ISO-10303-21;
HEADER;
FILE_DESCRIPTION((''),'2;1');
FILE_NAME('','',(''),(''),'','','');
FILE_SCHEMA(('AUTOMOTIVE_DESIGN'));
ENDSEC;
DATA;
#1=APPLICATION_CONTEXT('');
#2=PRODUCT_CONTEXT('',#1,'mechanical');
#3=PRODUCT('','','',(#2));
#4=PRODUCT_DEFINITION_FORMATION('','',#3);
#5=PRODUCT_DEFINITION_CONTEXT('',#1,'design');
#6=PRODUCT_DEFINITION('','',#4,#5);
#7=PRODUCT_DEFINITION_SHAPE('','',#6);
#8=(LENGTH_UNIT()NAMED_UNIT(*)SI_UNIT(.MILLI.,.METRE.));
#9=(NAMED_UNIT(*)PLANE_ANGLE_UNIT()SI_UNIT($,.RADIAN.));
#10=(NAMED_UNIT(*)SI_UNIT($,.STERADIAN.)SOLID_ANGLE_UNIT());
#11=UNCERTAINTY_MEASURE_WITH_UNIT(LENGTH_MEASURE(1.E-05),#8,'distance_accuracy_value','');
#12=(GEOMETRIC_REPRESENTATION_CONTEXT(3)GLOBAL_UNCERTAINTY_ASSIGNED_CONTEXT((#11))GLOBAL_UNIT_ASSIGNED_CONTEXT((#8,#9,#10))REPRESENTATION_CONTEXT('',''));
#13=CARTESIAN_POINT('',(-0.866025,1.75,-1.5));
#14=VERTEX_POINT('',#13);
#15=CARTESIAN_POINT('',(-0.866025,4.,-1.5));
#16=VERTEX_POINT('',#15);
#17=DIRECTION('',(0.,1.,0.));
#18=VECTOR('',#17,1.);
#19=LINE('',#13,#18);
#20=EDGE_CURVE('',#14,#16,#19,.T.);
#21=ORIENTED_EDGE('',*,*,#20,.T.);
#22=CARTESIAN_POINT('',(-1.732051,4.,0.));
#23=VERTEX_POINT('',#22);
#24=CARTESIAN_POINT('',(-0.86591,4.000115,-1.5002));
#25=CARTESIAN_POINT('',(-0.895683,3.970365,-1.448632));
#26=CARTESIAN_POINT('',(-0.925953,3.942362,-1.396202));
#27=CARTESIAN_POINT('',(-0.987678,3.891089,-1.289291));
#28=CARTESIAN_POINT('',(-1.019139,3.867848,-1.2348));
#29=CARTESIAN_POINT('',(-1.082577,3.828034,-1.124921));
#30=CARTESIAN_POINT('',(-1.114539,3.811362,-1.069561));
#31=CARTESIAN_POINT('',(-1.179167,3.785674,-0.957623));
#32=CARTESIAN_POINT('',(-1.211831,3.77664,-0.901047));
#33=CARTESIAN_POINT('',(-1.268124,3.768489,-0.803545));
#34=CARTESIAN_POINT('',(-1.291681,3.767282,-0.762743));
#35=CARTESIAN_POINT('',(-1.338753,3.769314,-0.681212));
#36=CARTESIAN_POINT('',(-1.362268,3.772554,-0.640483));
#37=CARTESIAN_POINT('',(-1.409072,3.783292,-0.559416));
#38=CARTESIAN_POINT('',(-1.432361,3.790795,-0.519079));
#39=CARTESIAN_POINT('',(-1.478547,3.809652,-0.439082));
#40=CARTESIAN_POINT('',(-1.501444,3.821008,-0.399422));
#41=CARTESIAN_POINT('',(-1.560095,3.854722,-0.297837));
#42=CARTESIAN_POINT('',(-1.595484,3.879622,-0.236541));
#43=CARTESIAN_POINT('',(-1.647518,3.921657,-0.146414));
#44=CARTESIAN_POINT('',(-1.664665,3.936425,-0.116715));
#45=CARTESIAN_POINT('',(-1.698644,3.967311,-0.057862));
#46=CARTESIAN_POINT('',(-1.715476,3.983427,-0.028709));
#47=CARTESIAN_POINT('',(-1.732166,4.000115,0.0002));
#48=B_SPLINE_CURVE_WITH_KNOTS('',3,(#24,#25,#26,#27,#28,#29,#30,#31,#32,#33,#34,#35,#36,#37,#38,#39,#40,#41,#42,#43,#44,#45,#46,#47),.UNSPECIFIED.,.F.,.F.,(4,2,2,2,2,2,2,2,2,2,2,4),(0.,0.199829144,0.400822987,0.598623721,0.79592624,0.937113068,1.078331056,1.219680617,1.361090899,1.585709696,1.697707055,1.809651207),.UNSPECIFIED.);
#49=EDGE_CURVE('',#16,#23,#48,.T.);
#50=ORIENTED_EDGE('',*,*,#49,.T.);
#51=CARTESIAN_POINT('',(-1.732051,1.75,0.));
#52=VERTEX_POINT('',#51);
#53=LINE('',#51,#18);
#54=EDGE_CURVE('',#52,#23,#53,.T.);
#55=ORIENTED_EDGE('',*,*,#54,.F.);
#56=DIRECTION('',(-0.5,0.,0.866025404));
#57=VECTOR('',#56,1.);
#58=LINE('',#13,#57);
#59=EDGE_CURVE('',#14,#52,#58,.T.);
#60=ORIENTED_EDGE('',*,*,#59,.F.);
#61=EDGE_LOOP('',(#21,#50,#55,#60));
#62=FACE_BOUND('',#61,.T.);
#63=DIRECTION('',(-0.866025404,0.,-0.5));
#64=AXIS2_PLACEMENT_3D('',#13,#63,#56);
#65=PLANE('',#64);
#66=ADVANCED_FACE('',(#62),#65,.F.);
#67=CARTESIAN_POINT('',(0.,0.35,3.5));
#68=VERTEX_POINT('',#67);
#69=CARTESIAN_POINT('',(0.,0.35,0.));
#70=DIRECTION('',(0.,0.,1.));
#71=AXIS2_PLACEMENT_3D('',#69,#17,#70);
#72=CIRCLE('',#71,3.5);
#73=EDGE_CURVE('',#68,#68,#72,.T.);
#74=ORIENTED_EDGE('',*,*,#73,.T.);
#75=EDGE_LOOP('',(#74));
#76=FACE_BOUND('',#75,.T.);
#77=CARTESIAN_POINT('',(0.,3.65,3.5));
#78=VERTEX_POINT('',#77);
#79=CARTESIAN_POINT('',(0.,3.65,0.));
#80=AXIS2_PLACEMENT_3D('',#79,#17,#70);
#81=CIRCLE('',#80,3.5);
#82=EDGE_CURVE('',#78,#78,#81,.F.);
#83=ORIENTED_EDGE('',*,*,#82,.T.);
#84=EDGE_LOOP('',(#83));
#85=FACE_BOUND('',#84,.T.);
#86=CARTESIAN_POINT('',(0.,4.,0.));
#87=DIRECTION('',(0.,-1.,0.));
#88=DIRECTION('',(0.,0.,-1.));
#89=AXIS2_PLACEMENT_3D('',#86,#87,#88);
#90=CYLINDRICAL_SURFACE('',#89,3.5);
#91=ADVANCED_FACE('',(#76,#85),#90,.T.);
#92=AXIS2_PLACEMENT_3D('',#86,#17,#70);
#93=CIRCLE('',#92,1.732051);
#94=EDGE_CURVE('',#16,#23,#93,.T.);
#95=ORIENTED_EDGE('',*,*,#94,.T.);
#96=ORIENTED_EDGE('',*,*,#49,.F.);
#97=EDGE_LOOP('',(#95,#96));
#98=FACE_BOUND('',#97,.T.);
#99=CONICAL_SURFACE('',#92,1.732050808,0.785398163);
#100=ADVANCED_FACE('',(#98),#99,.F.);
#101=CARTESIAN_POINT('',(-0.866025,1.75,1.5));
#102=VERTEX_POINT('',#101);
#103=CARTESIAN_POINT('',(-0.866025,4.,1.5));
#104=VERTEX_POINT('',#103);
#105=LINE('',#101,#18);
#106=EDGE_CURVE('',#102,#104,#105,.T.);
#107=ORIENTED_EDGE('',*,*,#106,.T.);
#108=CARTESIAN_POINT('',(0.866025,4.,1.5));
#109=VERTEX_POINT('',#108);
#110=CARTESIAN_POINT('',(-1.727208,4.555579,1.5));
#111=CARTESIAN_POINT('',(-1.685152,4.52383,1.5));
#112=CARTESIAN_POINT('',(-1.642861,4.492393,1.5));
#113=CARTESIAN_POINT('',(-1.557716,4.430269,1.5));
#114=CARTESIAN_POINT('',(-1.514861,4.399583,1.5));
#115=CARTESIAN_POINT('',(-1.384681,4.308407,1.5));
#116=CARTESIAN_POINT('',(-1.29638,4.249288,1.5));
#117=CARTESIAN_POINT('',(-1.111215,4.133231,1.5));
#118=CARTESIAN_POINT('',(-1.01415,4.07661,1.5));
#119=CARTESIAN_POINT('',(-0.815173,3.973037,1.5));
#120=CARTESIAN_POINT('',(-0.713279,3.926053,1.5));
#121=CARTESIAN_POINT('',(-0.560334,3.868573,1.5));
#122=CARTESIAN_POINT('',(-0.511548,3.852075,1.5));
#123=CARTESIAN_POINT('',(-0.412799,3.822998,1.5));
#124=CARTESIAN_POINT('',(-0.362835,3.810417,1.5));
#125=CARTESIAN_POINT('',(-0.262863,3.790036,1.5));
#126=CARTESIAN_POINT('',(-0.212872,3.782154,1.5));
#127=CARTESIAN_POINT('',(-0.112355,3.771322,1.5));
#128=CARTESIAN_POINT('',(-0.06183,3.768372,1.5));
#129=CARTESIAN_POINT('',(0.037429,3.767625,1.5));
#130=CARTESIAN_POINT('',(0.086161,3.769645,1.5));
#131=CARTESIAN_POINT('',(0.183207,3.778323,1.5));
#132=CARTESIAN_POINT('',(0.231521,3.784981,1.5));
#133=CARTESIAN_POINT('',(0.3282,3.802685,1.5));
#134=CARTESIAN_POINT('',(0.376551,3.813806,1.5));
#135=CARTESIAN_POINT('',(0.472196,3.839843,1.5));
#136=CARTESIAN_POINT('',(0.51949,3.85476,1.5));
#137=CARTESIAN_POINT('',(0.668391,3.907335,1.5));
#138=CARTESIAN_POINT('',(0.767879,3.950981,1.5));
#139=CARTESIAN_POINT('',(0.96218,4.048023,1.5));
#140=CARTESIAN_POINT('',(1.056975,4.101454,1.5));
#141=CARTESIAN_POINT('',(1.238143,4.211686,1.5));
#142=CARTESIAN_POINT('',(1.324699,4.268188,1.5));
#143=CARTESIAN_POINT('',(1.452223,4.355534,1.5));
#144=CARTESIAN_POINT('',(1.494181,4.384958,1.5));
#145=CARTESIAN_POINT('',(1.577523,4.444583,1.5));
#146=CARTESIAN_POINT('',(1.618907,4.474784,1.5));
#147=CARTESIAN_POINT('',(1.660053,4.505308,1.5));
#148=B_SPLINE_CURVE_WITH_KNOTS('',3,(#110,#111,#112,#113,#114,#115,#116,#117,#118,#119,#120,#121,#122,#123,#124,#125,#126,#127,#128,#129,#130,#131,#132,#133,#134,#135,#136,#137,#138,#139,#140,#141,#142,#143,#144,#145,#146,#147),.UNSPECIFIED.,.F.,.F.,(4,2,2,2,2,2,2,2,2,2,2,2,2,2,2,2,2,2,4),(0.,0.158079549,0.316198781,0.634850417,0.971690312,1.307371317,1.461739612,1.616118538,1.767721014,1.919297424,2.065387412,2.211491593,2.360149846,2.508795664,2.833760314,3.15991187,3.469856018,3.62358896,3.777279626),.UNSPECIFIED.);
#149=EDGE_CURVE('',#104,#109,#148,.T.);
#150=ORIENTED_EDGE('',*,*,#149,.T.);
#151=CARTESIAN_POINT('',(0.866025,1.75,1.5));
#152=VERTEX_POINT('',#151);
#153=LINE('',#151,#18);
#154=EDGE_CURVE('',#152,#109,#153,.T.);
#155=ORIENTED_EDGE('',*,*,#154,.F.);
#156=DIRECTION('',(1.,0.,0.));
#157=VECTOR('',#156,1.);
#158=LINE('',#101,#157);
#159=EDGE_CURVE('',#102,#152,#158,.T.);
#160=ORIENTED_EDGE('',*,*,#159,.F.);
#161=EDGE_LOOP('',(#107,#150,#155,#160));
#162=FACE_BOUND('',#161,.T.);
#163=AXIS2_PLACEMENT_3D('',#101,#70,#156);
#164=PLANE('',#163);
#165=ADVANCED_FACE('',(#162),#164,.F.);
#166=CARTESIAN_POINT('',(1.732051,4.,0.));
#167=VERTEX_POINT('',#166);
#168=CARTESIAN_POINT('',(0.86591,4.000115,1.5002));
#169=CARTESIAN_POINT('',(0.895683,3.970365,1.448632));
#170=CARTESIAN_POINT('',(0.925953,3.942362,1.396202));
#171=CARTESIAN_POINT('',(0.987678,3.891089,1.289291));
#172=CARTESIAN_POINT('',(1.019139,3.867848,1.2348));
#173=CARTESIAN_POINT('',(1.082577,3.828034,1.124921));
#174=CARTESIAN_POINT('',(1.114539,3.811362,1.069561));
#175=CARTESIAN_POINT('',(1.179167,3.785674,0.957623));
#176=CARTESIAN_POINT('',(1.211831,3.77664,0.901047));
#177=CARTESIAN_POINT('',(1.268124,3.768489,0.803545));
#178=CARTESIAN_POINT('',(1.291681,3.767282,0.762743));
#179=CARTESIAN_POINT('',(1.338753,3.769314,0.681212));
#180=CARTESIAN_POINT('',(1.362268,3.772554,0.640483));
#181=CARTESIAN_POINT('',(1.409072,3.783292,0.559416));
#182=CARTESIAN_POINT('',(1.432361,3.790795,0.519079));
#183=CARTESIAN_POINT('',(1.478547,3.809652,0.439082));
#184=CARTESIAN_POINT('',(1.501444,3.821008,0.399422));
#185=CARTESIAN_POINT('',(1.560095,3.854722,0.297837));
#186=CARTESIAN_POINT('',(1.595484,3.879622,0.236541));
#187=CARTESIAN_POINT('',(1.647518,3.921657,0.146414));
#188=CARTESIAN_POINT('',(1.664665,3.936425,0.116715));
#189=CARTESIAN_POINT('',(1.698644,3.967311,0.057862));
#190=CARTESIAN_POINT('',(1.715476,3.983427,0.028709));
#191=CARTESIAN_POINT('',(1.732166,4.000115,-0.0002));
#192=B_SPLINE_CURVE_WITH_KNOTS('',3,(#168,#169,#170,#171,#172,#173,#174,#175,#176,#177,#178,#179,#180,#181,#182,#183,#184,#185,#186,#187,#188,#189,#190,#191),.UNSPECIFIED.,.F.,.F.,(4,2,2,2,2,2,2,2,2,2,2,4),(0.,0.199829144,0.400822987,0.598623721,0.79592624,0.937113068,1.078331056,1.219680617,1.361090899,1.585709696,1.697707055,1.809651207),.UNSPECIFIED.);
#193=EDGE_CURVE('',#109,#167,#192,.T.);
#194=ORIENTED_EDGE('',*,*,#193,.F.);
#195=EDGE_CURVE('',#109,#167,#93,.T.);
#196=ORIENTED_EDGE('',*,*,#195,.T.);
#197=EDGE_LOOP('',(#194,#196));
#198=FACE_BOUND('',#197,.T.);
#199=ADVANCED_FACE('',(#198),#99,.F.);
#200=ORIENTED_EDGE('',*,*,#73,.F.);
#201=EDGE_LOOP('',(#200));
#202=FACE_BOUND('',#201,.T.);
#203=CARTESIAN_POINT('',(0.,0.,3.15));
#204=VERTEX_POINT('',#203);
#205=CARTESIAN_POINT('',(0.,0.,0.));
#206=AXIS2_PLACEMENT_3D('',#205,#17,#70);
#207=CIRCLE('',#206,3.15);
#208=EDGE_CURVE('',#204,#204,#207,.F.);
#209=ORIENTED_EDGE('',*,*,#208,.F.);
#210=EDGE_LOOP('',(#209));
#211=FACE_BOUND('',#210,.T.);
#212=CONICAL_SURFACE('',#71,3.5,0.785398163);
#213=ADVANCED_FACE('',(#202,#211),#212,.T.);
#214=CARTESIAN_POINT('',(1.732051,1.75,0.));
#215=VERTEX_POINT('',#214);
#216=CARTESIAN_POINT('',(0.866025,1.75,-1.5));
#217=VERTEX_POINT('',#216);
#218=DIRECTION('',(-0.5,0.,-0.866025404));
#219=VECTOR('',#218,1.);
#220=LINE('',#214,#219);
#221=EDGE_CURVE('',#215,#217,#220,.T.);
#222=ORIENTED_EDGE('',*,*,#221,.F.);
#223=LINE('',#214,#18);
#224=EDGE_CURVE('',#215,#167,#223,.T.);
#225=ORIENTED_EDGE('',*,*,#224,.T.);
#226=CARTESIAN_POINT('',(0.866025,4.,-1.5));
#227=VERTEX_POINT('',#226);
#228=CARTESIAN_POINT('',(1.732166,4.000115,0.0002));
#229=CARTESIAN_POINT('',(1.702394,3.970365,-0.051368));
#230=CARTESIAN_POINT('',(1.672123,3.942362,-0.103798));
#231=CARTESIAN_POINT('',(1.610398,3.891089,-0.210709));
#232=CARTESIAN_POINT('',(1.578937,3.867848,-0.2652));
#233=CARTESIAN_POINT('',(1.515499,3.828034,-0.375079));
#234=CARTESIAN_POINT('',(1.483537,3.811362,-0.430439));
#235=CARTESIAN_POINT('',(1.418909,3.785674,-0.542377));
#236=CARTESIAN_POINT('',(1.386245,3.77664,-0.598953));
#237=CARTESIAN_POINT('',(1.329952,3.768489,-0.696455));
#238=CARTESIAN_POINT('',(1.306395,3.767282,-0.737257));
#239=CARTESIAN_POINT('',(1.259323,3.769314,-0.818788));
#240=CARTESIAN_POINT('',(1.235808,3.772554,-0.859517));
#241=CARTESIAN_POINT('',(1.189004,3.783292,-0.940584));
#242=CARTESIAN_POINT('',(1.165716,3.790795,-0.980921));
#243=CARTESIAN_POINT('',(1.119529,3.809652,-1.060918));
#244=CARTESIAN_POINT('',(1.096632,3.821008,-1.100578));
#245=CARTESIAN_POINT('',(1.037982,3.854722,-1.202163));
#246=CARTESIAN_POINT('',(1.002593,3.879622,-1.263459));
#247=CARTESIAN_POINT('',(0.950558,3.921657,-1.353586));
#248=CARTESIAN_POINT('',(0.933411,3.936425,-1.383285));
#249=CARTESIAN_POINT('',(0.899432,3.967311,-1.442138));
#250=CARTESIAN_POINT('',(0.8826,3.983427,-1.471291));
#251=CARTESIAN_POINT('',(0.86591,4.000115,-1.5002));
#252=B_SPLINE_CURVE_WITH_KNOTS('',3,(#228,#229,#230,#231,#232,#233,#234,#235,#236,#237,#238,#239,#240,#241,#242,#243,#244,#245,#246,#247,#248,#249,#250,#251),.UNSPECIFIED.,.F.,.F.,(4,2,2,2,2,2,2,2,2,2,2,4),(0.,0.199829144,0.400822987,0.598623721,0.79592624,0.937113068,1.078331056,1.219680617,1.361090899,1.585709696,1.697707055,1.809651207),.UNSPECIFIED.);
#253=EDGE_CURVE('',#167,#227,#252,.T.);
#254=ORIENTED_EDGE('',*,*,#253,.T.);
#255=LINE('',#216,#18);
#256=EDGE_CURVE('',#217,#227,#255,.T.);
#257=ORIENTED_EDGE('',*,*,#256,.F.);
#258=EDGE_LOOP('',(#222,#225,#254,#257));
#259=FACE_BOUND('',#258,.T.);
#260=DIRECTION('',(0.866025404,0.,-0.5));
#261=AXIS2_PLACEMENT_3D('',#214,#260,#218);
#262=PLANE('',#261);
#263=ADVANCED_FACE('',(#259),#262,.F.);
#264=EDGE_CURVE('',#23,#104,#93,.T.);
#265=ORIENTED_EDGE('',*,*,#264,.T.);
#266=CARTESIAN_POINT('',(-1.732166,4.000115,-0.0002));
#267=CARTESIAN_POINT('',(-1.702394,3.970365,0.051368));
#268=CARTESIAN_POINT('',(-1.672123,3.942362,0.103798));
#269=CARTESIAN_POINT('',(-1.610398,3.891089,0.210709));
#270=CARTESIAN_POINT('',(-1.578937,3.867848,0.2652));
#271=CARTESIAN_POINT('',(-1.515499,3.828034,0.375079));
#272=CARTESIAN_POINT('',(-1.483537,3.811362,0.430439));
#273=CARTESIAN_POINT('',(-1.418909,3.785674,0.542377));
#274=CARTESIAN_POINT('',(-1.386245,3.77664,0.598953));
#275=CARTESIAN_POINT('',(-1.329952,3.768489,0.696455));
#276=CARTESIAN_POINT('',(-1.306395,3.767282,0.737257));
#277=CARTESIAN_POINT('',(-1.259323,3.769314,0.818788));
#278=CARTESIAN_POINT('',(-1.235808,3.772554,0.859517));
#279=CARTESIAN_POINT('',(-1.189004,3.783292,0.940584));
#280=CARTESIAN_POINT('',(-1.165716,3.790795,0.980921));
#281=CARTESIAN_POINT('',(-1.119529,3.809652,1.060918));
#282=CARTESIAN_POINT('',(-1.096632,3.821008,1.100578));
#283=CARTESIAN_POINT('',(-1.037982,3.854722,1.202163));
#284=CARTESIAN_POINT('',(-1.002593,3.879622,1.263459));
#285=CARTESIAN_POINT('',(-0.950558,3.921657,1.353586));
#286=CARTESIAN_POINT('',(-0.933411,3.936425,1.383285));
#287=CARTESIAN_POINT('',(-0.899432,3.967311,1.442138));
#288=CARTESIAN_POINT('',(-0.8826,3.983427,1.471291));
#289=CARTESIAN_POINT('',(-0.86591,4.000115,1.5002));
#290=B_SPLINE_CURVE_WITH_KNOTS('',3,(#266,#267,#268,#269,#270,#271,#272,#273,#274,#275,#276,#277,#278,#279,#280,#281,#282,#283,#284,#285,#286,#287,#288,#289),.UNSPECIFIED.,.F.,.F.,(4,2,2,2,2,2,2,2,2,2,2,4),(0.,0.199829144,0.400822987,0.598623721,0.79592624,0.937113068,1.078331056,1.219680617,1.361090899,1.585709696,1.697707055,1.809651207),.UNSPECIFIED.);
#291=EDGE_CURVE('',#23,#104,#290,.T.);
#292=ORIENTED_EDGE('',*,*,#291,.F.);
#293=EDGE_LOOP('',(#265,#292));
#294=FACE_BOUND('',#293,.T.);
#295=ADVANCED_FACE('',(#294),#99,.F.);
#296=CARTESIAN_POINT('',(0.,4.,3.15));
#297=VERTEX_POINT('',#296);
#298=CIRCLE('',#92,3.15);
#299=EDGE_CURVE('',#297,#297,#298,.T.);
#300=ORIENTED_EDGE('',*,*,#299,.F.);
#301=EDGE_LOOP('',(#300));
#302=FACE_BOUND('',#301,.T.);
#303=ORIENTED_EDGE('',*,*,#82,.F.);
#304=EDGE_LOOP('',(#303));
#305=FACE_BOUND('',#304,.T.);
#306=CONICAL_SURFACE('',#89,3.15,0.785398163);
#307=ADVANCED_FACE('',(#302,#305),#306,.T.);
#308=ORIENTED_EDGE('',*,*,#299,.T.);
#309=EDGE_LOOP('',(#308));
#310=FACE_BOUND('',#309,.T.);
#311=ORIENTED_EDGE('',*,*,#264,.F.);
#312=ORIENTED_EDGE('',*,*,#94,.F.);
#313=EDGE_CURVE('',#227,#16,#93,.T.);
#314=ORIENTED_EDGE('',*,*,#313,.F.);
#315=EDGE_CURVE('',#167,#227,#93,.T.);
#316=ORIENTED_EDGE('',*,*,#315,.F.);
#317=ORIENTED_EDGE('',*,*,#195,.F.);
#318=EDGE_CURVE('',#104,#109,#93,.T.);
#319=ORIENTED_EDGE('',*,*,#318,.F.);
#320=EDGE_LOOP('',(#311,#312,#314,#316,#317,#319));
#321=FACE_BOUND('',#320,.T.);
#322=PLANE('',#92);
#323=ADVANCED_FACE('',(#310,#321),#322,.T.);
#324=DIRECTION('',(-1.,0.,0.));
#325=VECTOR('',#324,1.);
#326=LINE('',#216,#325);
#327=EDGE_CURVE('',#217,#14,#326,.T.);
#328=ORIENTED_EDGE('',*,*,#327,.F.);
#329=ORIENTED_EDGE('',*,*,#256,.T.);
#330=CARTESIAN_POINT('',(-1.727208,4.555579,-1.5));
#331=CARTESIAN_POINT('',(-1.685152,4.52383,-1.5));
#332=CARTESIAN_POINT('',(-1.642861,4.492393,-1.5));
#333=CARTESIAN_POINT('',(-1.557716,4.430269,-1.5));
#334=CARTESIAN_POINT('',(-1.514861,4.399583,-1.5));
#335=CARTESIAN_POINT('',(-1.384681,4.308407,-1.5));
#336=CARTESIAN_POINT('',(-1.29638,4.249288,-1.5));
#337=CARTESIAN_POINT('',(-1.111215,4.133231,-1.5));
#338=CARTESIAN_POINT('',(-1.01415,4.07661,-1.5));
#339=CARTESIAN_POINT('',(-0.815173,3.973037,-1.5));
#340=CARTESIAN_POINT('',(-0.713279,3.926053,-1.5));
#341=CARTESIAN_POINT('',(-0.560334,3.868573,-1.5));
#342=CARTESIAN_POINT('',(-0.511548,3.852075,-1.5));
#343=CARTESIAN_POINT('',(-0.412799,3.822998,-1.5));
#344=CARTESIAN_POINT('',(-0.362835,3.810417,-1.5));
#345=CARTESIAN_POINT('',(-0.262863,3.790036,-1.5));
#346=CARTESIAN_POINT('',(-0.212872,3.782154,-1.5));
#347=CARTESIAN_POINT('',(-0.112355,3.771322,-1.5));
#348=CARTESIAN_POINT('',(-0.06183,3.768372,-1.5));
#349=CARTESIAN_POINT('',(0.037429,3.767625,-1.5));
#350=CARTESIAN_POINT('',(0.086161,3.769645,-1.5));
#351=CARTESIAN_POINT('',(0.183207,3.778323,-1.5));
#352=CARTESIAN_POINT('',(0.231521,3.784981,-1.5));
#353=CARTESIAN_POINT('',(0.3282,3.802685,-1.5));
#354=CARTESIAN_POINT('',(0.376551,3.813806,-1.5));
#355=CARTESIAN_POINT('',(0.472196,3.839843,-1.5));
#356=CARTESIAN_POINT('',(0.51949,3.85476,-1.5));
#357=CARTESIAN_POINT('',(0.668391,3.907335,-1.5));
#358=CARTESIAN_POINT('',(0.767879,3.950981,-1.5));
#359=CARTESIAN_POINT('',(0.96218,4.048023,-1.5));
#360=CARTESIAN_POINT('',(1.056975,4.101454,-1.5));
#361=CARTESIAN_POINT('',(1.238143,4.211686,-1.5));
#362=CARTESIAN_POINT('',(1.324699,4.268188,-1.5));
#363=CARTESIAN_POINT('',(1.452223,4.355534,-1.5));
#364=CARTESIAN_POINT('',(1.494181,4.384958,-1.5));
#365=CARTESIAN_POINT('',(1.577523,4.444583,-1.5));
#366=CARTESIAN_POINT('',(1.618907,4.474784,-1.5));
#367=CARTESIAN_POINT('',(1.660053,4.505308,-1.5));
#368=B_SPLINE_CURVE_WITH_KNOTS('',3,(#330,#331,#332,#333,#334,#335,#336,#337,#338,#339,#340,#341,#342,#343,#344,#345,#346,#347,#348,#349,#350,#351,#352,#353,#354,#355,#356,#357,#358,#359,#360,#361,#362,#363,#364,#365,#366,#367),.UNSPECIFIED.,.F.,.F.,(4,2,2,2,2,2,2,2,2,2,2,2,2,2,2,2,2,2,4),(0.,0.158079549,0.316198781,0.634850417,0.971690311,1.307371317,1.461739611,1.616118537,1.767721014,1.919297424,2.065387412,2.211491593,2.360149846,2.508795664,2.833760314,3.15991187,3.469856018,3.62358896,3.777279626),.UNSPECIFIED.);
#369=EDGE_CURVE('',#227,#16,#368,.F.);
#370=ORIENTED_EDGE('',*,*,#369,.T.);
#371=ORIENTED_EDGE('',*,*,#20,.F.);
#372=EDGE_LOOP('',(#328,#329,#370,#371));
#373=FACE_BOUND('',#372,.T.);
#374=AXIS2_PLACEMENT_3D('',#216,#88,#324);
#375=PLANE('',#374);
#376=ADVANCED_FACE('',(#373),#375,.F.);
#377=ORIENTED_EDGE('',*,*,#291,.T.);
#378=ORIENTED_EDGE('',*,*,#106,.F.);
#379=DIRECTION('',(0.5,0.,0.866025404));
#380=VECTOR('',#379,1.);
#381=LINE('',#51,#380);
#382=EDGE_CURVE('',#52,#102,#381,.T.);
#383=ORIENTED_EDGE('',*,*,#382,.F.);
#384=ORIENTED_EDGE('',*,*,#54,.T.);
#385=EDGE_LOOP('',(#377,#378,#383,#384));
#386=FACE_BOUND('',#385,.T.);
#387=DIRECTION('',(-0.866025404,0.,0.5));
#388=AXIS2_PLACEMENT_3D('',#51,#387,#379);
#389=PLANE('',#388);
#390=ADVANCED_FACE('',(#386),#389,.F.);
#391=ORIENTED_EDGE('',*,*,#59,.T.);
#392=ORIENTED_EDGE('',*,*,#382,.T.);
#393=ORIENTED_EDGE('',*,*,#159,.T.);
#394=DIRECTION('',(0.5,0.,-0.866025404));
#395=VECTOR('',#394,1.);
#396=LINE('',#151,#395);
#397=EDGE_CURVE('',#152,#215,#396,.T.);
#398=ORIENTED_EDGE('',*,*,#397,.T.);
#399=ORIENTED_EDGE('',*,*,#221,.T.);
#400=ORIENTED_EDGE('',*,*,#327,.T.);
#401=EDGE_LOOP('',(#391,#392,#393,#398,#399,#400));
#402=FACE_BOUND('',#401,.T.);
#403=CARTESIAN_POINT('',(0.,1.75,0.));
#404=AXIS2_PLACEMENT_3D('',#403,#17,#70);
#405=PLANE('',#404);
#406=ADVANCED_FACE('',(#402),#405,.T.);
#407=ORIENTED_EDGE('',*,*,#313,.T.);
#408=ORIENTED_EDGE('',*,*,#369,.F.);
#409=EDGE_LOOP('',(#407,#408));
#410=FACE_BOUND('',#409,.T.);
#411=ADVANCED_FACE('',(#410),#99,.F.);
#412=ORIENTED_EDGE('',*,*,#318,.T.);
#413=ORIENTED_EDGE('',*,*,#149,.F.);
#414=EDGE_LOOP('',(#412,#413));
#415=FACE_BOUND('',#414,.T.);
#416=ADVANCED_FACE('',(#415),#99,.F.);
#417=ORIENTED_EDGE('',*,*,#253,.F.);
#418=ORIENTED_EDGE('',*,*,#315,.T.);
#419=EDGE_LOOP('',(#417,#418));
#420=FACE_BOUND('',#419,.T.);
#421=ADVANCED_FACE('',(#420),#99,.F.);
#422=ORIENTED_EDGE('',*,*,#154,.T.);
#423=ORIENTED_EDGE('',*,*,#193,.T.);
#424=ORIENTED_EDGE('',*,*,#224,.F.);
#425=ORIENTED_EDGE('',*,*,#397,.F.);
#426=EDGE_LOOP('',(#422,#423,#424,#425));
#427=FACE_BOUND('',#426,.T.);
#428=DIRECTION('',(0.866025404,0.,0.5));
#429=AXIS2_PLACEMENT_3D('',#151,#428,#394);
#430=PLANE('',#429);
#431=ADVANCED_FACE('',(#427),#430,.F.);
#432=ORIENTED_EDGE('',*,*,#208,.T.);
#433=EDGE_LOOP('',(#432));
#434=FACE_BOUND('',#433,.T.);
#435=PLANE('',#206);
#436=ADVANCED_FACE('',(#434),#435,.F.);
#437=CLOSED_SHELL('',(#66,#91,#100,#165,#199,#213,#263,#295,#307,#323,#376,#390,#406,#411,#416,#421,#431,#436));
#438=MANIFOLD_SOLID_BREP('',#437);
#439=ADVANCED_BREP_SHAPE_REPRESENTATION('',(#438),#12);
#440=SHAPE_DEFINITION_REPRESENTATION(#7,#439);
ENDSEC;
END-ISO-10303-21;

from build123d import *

# Parameters (mm, degrees)
SKETCH1_R           = 3.5
BOSS_EXTRUDE1_DEPTH = 4
CUT_EXTRUDE1_DEPTH  = 2.25
CHAMFER1_SIZE       = 0.35


with BuildPart() as part:
    # Sketch1 → Boss-Extrude1 (new body)
    with BuildSketch(Plane(origin=(0, 0, 0), x_dir=(1, 0, 0), z_dir=(0, 1, 0))):
        with Locations(Location((0, 0, 0), (0, 0, 270))):
            Circle(SKETCH1_R)
    extrude(amount=BOSS_EXTRUDE1_DEPTH)

    # Sketch2 → Cut-Extrude1 (cut)
    with BuildSketch(Plane(origin=(0, 4, 0), x_dir=(1, 0, 0), z_dir=(0, 1, 0))):
        Polygon((0.866025404, 1.5), (-0.866025404, 1.5), (-1.732050808, 0), (-0.866025404, -1.5), (0.866025404, -1.5), (1.732050808, 0), align=None)
    extrude(amount=-CUT_EXTRUDE1_DEPTH, mode=Mode.SUBTRACT)

    # Cut-Extrude2 cone 1 section (through the dimple's axis) → Cut-Extrude2 (revolve, cut)
    with BuildSketch(Plane(origin=(0, 4, 0), x_dir=(0, 0, 1), z_dir=(1, 0, 0))):
        Polygon((0, 0), (1.732050808, 0), (0, 1.732050808), align=None)
    revolve(axis=Axis((0, 4, 0), (0, -1, 0)), mode=Mode.SUBTRACT)

    # Chamfer1
    chamfer1_edges = [part.edges().sort_by_distance(p)[0] for p in [
        (0, 0, -3.5),
        (0, 4, -3.5),
    ]]
    chamfer(chamfer1_edges, length=CHAMFER1_SIZE)


solid = part.part
